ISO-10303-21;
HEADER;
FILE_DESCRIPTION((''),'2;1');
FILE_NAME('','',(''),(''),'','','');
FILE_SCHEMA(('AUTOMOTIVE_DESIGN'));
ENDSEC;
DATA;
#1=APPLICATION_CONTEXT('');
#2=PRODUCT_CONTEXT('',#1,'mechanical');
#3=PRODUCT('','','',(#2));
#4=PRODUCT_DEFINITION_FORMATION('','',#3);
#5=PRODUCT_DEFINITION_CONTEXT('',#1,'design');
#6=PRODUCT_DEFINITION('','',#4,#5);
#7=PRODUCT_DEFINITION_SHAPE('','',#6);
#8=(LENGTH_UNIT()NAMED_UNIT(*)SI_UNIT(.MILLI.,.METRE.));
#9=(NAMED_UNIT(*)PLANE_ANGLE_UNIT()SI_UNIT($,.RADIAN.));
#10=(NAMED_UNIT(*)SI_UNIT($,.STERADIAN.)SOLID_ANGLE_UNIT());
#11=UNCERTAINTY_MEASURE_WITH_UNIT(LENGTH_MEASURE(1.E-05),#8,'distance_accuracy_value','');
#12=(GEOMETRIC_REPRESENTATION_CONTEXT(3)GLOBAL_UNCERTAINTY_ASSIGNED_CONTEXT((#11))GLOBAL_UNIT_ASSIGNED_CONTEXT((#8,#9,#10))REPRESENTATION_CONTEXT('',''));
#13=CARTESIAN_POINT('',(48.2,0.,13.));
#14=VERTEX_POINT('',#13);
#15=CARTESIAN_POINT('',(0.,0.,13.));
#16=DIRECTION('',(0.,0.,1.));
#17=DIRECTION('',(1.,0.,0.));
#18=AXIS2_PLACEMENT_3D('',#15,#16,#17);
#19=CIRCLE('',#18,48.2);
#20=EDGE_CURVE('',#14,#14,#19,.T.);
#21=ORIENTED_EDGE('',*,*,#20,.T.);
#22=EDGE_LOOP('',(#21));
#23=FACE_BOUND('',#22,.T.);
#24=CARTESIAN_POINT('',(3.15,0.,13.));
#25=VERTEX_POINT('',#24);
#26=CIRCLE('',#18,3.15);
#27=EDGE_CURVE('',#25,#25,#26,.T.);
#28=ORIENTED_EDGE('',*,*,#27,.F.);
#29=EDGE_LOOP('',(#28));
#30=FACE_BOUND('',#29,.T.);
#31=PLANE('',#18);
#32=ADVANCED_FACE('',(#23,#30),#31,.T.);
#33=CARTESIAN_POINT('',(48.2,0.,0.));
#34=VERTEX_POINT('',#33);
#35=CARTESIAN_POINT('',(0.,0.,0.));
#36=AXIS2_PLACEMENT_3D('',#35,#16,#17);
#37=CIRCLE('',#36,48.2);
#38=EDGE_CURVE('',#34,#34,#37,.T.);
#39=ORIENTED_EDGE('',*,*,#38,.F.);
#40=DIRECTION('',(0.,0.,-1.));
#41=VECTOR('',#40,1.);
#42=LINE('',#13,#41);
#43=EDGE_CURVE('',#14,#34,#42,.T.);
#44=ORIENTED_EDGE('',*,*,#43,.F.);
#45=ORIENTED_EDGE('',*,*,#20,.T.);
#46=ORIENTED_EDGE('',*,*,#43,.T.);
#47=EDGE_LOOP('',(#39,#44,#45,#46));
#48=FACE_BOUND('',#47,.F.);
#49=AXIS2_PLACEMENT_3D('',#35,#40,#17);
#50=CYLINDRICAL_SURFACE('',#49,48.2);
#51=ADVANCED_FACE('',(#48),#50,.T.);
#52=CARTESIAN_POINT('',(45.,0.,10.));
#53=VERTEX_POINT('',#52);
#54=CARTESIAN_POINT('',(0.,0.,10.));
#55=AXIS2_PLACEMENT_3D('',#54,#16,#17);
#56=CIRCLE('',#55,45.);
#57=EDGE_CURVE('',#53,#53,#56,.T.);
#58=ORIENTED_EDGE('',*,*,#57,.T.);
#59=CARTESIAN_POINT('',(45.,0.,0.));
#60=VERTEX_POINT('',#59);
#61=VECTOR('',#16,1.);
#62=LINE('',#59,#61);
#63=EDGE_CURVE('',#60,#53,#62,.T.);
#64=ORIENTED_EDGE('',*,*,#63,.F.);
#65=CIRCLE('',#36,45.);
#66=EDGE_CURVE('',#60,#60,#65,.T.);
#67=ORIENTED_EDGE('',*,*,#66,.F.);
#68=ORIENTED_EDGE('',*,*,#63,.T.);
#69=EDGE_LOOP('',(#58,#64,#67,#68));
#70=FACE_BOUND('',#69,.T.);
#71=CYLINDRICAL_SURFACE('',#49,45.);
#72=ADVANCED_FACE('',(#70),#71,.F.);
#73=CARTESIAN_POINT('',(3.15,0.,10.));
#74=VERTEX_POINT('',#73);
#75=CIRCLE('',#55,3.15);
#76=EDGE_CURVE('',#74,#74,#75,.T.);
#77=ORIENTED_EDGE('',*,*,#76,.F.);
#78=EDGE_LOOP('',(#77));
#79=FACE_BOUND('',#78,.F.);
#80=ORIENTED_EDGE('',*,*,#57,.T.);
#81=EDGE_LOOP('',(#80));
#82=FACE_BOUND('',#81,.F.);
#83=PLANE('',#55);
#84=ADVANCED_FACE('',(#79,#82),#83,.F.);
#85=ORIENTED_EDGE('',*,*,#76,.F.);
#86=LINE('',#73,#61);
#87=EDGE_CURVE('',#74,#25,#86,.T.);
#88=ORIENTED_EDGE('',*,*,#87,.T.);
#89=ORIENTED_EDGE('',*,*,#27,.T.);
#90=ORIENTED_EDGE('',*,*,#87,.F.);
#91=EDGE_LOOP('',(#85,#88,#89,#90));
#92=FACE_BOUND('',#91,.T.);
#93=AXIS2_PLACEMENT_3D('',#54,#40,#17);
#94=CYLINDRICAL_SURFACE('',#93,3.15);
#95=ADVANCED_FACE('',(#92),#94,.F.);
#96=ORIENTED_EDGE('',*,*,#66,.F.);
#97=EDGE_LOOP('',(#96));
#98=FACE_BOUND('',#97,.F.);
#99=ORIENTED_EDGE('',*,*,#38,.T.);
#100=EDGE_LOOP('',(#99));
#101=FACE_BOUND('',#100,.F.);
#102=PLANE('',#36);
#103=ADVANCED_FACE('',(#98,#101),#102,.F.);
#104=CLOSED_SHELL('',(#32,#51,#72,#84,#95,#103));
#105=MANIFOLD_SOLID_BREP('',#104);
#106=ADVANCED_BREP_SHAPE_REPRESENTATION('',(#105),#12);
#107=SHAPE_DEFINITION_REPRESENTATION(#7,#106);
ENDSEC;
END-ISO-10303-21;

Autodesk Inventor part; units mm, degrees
ref_plane "YZ Plane" through (0, 0, 0) normal (1, 0, 0) x (0, 1, 0)
ref_plane "XZ Plane" through (0, 0, 0) normal (0, 1, 0) x (-1, 0, 0)
ref_plane "XY Plane" through (0, 0, 0) normal (0, 0, 1) x (1, 0, 0)
sketch "Эскиз1" plane through (0, 0, 0) normal (0, 0, 1) x (1, 0, 0)
  circle A0 centre (0, 0) radius 45
  circle A1 centre (0, 0) radius 48.2
  dimension "d0" = 90
  dimension "d1" = 96.4
extrude "Выдавливание1" add sketch "Эскиз1" along normal blind 10
sketch "Эскиз2" plane through (0, 0, 10) normal (0, 0, 1) x (1, 0, 0)
  circle A0 centre (0, 0) radius 48.2 projected
  circle A1 centre (0, 0) radius 3.15
  dimension "d4" = 6.3
extrude "Выдавливание2" add sketch "Эскиз2" along normal blind 3
properties part number "дно силикона"
